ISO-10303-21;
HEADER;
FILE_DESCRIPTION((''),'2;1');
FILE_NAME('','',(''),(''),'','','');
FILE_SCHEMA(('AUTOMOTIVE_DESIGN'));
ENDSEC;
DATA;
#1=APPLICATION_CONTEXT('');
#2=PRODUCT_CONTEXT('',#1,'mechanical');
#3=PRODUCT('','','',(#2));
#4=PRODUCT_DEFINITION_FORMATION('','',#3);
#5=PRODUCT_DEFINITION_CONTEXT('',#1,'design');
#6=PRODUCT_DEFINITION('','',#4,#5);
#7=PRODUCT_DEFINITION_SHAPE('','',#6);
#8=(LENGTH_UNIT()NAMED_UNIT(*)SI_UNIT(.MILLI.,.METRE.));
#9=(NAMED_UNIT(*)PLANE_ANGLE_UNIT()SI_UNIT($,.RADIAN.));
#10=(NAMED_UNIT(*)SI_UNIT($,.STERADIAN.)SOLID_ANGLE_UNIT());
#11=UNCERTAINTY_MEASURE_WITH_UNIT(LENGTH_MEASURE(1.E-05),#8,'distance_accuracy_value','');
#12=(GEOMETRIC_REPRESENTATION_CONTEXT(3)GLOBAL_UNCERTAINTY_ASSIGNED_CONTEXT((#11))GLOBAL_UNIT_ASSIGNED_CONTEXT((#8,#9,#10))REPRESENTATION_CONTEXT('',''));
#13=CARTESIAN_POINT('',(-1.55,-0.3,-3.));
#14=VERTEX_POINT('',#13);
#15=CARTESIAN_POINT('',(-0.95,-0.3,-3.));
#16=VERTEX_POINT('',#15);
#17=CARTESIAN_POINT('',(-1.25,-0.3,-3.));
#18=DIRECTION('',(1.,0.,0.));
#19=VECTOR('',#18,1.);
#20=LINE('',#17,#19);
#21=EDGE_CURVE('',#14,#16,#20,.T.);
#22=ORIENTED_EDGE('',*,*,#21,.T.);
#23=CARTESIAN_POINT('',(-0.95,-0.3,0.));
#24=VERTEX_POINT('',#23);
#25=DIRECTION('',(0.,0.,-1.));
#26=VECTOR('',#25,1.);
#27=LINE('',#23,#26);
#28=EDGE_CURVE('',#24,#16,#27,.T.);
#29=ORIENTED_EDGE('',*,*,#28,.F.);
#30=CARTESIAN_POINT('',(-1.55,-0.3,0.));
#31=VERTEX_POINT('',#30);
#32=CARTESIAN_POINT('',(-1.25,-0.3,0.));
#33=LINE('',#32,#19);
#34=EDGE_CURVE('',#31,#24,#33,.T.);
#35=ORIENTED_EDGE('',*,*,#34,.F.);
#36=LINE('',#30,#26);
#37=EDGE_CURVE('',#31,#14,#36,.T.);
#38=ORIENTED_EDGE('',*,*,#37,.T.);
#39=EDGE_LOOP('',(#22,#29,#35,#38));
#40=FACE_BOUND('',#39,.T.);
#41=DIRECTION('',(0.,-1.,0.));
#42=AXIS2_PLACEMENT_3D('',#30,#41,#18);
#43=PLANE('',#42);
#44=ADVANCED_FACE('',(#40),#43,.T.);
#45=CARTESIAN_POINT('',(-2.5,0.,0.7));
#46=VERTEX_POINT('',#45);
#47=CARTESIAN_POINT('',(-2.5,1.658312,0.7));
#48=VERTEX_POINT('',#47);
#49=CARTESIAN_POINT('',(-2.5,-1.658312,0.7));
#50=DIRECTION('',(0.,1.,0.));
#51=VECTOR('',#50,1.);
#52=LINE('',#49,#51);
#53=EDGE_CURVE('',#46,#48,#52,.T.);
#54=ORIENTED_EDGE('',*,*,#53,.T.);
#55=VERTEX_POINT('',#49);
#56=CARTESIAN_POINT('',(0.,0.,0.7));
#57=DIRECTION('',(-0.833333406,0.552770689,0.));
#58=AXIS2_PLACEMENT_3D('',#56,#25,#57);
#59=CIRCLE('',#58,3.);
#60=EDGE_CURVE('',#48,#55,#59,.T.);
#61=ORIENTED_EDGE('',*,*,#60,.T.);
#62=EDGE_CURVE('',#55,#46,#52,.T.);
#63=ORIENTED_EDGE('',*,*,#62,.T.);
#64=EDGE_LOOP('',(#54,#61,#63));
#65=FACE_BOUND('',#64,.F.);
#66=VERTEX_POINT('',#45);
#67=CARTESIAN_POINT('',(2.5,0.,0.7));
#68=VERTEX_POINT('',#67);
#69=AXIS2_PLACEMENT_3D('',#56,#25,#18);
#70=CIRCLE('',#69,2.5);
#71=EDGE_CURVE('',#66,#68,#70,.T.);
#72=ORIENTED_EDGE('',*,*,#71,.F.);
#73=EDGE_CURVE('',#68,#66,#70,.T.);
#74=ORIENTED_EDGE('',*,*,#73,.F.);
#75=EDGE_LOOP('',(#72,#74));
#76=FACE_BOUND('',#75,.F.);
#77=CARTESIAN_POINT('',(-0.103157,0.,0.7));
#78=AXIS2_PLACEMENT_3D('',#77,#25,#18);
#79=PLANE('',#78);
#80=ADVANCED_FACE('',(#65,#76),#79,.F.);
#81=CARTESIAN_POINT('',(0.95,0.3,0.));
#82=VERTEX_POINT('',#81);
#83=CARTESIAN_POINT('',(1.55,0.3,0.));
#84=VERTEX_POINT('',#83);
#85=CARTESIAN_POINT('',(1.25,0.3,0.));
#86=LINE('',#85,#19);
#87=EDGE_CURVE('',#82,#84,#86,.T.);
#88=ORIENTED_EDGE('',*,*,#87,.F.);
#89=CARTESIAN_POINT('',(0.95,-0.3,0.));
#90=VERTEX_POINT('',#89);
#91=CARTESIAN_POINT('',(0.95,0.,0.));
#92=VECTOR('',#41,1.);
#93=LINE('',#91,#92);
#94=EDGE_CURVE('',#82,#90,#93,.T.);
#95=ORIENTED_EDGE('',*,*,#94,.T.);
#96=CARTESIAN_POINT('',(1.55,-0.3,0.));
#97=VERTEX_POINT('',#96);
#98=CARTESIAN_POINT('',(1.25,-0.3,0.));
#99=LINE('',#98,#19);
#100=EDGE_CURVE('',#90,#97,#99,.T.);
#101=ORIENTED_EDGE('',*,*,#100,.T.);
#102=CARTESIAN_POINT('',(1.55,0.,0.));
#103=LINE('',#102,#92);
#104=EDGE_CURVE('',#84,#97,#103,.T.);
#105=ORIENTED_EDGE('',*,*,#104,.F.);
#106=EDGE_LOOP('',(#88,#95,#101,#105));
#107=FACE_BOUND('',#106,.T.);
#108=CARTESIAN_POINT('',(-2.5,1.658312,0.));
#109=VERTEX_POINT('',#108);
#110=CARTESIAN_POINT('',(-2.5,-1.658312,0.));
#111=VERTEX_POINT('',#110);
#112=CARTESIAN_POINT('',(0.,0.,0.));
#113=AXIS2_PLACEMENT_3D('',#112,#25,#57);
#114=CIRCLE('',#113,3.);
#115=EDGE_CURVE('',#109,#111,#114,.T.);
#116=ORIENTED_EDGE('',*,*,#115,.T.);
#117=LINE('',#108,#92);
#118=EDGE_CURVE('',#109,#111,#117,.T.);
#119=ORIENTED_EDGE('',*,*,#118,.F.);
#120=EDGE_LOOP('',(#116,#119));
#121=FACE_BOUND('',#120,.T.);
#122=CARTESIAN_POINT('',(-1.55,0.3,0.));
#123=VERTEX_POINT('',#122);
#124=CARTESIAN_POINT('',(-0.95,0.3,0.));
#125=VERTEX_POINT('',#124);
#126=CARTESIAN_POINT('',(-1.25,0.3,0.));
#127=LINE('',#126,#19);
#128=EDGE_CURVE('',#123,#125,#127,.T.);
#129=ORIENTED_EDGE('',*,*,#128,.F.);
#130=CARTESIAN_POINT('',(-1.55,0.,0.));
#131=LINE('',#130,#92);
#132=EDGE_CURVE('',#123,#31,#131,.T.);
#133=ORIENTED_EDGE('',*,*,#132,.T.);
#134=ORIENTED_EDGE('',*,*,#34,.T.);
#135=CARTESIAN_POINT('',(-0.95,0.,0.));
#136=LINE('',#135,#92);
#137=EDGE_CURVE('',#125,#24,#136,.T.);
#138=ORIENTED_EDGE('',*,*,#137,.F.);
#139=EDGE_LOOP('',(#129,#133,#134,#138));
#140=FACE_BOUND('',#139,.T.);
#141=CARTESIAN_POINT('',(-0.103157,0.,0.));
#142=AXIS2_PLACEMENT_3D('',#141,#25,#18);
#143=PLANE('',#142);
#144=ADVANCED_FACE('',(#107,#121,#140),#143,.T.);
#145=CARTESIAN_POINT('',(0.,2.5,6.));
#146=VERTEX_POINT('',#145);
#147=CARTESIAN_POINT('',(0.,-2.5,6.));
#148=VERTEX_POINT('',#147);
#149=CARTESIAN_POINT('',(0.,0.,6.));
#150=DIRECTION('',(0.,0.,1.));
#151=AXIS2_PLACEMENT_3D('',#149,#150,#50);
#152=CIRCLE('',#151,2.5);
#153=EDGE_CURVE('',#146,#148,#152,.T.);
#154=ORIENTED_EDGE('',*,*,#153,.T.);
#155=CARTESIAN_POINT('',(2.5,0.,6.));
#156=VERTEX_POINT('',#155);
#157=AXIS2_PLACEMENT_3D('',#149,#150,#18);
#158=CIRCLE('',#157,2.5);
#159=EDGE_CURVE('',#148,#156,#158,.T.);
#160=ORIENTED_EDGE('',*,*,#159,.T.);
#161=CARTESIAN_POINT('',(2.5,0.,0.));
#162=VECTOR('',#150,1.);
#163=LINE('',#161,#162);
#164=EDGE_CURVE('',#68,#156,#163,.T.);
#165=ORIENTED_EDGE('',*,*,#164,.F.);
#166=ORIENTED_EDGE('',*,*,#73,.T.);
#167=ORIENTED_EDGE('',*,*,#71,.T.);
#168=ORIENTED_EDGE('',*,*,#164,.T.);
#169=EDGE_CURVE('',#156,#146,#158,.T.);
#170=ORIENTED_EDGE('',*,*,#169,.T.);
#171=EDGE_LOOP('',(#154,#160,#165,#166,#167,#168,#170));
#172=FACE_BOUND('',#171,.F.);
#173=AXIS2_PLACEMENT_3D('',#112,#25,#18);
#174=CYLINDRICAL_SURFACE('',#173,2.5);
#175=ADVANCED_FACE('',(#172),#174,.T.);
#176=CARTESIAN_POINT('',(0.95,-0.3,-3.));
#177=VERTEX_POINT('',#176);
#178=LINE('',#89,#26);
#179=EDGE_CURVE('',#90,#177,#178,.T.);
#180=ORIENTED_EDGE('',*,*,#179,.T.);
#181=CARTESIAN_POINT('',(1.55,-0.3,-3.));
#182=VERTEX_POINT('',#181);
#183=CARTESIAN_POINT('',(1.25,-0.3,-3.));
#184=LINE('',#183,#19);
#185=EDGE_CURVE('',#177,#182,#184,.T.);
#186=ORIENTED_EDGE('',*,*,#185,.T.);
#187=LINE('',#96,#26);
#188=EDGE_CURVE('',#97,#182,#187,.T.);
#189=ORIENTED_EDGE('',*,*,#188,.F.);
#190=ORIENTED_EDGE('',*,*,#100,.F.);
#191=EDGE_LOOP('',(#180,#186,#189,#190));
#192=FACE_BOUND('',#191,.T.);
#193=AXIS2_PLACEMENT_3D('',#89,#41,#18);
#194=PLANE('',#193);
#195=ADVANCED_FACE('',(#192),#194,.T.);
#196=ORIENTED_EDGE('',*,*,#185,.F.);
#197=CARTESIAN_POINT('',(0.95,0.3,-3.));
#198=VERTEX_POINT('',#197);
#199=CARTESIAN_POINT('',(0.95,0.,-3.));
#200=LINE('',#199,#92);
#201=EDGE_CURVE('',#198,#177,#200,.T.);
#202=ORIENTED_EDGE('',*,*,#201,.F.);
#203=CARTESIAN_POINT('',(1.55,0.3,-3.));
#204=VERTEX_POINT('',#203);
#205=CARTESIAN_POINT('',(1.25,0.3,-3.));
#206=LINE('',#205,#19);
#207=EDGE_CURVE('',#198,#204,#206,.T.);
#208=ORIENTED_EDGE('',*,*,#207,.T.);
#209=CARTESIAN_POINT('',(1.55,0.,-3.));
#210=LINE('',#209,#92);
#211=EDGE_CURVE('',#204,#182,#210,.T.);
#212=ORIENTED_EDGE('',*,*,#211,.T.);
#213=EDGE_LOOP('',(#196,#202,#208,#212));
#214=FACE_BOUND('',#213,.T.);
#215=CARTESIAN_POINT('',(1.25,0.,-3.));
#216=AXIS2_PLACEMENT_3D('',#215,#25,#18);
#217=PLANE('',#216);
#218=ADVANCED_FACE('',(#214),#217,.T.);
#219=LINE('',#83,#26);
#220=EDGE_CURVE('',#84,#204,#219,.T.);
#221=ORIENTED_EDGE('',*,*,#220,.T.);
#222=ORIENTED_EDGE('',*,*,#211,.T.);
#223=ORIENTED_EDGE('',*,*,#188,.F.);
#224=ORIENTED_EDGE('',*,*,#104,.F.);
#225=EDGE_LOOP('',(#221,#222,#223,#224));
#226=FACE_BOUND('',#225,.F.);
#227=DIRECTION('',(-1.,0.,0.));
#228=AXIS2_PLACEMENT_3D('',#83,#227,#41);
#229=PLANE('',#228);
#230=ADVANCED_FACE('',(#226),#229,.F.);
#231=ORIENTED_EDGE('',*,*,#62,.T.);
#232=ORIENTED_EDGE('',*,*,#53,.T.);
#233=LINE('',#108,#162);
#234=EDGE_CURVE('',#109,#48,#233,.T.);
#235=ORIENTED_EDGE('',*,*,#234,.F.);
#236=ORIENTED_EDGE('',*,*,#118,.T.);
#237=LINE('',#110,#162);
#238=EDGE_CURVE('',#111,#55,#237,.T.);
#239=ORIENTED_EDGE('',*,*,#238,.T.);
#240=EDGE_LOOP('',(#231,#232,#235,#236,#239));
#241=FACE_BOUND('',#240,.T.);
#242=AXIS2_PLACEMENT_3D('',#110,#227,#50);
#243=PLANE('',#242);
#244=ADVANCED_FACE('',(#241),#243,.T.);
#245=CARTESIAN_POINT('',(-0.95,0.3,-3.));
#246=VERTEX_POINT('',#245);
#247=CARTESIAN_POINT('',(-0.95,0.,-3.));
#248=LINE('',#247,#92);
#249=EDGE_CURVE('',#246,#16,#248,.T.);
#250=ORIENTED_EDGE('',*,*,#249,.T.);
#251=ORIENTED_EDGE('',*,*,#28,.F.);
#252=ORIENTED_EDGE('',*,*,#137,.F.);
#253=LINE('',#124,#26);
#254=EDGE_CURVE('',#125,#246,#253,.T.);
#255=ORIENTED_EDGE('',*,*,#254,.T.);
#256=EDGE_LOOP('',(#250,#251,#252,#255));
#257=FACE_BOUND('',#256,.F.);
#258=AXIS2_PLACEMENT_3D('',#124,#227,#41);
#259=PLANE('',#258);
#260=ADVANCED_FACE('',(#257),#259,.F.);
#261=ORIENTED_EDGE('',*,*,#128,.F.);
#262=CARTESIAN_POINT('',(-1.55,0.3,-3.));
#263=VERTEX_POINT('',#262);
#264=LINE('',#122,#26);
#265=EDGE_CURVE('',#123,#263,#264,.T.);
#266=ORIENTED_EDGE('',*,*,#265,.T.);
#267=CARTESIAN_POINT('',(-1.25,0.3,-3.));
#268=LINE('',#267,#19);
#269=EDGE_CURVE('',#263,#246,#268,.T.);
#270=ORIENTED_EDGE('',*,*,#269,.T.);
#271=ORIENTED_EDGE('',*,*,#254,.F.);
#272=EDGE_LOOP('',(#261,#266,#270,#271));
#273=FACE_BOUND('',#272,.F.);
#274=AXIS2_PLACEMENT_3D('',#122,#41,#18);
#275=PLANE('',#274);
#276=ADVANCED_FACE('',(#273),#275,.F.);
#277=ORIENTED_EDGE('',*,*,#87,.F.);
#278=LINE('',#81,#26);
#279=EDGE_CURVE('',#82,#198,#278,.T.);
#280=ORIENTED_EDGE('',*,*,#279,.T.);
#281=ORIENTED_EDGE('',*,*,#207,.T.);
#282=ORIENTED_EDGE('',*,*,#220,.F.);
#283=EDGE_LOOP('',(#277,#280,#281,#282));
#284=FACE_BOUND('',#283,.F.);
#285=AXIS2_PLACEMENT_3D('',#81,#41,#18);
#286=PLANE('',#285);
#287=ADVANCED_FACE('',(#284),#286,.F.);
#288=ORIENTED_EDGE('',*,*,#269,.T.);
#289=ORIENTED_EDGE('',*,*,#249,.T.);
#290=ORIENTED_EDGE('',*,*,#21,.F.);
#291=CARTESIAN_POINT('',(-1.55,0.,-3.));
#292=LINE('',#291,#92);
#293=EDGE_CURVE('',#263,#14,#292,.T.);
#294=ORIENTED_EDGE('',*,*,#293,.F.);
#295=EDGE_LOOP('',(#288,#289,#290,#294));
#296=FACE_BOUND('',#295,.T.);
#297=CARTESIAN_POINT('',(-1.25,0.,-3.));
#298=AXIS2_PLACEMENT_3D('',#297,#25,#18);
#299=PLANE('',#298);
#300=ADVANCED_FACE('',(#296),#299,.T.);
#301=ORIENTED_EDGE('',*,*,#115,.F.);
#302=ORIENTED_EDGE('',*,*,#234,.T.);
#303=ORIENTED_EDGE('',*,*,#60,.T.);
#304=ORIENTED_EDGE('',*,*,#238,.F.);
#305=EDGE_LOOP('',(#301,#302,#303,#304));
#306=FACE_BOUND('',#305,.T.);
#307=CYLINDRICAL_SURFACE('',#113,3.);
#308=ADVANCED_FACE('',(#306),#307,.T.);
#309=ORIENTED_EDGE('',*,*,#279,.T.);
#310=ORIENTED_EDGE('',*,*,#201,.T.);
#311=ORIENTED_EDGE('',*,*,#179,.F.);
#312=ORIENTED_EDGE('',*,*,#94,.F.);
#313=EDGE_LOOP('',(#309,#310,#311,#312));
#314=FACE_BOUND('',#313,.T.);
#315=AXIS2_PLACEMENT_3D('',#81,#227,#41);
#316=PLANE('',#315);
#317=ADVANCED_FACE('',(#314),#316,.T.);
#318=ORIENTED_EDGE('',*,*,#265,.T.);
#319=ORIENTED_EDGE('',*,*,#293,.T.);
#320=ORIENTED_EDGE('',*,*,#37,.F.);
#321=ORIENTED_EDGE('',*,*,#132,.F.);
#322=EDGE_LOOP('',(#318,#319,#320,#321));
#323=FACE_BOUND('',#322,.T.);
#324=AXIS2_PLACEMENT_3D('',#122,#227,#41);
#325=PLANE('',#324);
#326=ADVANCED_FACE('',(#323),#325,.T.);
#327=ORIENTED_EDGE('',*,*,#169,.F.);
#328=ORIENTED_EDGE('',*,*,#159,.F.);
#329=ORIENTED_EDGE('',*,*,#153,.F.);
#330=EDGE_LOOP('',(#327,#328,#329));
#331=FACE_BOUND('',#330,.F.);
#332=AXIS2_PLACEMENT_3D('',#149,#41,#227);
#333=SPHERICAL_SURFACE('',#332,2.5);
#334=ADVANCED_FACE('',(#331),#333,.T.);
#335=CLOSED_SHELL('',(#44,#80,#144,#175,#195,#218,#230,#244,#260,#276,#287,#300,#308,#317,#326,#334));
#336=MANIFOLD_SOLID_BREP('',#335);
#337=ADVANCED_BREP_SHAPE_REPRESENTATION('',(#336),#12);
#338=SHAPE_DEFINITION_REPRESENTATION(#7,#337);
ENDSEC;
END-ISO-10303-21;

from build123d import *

# Parameters (mm, degrees)
F0_R     = 2.5
F1_DEPTH = 6
F5_DEPTH = 0.7
F6_W     = 0.6
F6_H     = 0.6
F7_DEPTH = 3


with BuildPart() as f1:
    # F0 (on Top) → F1 (new body)
    with BuildSketch(Plane.XY):
        Circle(F0_R)
    extrude(amount=F1_DEPTH)

    # F2 (on face) → F3 (revolve)
    with BuildSketch(Plane.XY.offset(6)):
        with BuildLine():
            ThreePointArc((0, 2.5), (-2.5, 0), (0, -2.5))
            Line((0, -2.5), (0, 2.5))
        make_face()
    revolve(axis=Axis((0, 0, 6), (0, 1, 0)))

    # F4 (on face) → F5 (join)
    with BuildSketch(Plane(origin=(0, 0, 0), x_dir=(1, 0, 0), z_dir=(0, 0, -1))):
        with BuildLine():
            Line((-2.5, 1.658312), (-2.5, -1.658312))
            ThreePointArc((-2.5, -1.658312), (3, 0), (-2.5, 1.658312))
        make_face()
    extrude(amount=-F5_DEPTH)

    # F6 (on face) → F7 (join)
    with BuildSketch(Plane(origin=(0, 0, 0), x_dir=(1, 0, 0), z_dir=(0, 0, -1))):
        with Locations((1.25, 0)):
            Rectangle(F6_W, F6_H)
        with Locations((-1.25, 0)):
            Rectangle(F6_W, F6_H)
    extrude(amount=F7_DEPTH)


solid = f1.part
